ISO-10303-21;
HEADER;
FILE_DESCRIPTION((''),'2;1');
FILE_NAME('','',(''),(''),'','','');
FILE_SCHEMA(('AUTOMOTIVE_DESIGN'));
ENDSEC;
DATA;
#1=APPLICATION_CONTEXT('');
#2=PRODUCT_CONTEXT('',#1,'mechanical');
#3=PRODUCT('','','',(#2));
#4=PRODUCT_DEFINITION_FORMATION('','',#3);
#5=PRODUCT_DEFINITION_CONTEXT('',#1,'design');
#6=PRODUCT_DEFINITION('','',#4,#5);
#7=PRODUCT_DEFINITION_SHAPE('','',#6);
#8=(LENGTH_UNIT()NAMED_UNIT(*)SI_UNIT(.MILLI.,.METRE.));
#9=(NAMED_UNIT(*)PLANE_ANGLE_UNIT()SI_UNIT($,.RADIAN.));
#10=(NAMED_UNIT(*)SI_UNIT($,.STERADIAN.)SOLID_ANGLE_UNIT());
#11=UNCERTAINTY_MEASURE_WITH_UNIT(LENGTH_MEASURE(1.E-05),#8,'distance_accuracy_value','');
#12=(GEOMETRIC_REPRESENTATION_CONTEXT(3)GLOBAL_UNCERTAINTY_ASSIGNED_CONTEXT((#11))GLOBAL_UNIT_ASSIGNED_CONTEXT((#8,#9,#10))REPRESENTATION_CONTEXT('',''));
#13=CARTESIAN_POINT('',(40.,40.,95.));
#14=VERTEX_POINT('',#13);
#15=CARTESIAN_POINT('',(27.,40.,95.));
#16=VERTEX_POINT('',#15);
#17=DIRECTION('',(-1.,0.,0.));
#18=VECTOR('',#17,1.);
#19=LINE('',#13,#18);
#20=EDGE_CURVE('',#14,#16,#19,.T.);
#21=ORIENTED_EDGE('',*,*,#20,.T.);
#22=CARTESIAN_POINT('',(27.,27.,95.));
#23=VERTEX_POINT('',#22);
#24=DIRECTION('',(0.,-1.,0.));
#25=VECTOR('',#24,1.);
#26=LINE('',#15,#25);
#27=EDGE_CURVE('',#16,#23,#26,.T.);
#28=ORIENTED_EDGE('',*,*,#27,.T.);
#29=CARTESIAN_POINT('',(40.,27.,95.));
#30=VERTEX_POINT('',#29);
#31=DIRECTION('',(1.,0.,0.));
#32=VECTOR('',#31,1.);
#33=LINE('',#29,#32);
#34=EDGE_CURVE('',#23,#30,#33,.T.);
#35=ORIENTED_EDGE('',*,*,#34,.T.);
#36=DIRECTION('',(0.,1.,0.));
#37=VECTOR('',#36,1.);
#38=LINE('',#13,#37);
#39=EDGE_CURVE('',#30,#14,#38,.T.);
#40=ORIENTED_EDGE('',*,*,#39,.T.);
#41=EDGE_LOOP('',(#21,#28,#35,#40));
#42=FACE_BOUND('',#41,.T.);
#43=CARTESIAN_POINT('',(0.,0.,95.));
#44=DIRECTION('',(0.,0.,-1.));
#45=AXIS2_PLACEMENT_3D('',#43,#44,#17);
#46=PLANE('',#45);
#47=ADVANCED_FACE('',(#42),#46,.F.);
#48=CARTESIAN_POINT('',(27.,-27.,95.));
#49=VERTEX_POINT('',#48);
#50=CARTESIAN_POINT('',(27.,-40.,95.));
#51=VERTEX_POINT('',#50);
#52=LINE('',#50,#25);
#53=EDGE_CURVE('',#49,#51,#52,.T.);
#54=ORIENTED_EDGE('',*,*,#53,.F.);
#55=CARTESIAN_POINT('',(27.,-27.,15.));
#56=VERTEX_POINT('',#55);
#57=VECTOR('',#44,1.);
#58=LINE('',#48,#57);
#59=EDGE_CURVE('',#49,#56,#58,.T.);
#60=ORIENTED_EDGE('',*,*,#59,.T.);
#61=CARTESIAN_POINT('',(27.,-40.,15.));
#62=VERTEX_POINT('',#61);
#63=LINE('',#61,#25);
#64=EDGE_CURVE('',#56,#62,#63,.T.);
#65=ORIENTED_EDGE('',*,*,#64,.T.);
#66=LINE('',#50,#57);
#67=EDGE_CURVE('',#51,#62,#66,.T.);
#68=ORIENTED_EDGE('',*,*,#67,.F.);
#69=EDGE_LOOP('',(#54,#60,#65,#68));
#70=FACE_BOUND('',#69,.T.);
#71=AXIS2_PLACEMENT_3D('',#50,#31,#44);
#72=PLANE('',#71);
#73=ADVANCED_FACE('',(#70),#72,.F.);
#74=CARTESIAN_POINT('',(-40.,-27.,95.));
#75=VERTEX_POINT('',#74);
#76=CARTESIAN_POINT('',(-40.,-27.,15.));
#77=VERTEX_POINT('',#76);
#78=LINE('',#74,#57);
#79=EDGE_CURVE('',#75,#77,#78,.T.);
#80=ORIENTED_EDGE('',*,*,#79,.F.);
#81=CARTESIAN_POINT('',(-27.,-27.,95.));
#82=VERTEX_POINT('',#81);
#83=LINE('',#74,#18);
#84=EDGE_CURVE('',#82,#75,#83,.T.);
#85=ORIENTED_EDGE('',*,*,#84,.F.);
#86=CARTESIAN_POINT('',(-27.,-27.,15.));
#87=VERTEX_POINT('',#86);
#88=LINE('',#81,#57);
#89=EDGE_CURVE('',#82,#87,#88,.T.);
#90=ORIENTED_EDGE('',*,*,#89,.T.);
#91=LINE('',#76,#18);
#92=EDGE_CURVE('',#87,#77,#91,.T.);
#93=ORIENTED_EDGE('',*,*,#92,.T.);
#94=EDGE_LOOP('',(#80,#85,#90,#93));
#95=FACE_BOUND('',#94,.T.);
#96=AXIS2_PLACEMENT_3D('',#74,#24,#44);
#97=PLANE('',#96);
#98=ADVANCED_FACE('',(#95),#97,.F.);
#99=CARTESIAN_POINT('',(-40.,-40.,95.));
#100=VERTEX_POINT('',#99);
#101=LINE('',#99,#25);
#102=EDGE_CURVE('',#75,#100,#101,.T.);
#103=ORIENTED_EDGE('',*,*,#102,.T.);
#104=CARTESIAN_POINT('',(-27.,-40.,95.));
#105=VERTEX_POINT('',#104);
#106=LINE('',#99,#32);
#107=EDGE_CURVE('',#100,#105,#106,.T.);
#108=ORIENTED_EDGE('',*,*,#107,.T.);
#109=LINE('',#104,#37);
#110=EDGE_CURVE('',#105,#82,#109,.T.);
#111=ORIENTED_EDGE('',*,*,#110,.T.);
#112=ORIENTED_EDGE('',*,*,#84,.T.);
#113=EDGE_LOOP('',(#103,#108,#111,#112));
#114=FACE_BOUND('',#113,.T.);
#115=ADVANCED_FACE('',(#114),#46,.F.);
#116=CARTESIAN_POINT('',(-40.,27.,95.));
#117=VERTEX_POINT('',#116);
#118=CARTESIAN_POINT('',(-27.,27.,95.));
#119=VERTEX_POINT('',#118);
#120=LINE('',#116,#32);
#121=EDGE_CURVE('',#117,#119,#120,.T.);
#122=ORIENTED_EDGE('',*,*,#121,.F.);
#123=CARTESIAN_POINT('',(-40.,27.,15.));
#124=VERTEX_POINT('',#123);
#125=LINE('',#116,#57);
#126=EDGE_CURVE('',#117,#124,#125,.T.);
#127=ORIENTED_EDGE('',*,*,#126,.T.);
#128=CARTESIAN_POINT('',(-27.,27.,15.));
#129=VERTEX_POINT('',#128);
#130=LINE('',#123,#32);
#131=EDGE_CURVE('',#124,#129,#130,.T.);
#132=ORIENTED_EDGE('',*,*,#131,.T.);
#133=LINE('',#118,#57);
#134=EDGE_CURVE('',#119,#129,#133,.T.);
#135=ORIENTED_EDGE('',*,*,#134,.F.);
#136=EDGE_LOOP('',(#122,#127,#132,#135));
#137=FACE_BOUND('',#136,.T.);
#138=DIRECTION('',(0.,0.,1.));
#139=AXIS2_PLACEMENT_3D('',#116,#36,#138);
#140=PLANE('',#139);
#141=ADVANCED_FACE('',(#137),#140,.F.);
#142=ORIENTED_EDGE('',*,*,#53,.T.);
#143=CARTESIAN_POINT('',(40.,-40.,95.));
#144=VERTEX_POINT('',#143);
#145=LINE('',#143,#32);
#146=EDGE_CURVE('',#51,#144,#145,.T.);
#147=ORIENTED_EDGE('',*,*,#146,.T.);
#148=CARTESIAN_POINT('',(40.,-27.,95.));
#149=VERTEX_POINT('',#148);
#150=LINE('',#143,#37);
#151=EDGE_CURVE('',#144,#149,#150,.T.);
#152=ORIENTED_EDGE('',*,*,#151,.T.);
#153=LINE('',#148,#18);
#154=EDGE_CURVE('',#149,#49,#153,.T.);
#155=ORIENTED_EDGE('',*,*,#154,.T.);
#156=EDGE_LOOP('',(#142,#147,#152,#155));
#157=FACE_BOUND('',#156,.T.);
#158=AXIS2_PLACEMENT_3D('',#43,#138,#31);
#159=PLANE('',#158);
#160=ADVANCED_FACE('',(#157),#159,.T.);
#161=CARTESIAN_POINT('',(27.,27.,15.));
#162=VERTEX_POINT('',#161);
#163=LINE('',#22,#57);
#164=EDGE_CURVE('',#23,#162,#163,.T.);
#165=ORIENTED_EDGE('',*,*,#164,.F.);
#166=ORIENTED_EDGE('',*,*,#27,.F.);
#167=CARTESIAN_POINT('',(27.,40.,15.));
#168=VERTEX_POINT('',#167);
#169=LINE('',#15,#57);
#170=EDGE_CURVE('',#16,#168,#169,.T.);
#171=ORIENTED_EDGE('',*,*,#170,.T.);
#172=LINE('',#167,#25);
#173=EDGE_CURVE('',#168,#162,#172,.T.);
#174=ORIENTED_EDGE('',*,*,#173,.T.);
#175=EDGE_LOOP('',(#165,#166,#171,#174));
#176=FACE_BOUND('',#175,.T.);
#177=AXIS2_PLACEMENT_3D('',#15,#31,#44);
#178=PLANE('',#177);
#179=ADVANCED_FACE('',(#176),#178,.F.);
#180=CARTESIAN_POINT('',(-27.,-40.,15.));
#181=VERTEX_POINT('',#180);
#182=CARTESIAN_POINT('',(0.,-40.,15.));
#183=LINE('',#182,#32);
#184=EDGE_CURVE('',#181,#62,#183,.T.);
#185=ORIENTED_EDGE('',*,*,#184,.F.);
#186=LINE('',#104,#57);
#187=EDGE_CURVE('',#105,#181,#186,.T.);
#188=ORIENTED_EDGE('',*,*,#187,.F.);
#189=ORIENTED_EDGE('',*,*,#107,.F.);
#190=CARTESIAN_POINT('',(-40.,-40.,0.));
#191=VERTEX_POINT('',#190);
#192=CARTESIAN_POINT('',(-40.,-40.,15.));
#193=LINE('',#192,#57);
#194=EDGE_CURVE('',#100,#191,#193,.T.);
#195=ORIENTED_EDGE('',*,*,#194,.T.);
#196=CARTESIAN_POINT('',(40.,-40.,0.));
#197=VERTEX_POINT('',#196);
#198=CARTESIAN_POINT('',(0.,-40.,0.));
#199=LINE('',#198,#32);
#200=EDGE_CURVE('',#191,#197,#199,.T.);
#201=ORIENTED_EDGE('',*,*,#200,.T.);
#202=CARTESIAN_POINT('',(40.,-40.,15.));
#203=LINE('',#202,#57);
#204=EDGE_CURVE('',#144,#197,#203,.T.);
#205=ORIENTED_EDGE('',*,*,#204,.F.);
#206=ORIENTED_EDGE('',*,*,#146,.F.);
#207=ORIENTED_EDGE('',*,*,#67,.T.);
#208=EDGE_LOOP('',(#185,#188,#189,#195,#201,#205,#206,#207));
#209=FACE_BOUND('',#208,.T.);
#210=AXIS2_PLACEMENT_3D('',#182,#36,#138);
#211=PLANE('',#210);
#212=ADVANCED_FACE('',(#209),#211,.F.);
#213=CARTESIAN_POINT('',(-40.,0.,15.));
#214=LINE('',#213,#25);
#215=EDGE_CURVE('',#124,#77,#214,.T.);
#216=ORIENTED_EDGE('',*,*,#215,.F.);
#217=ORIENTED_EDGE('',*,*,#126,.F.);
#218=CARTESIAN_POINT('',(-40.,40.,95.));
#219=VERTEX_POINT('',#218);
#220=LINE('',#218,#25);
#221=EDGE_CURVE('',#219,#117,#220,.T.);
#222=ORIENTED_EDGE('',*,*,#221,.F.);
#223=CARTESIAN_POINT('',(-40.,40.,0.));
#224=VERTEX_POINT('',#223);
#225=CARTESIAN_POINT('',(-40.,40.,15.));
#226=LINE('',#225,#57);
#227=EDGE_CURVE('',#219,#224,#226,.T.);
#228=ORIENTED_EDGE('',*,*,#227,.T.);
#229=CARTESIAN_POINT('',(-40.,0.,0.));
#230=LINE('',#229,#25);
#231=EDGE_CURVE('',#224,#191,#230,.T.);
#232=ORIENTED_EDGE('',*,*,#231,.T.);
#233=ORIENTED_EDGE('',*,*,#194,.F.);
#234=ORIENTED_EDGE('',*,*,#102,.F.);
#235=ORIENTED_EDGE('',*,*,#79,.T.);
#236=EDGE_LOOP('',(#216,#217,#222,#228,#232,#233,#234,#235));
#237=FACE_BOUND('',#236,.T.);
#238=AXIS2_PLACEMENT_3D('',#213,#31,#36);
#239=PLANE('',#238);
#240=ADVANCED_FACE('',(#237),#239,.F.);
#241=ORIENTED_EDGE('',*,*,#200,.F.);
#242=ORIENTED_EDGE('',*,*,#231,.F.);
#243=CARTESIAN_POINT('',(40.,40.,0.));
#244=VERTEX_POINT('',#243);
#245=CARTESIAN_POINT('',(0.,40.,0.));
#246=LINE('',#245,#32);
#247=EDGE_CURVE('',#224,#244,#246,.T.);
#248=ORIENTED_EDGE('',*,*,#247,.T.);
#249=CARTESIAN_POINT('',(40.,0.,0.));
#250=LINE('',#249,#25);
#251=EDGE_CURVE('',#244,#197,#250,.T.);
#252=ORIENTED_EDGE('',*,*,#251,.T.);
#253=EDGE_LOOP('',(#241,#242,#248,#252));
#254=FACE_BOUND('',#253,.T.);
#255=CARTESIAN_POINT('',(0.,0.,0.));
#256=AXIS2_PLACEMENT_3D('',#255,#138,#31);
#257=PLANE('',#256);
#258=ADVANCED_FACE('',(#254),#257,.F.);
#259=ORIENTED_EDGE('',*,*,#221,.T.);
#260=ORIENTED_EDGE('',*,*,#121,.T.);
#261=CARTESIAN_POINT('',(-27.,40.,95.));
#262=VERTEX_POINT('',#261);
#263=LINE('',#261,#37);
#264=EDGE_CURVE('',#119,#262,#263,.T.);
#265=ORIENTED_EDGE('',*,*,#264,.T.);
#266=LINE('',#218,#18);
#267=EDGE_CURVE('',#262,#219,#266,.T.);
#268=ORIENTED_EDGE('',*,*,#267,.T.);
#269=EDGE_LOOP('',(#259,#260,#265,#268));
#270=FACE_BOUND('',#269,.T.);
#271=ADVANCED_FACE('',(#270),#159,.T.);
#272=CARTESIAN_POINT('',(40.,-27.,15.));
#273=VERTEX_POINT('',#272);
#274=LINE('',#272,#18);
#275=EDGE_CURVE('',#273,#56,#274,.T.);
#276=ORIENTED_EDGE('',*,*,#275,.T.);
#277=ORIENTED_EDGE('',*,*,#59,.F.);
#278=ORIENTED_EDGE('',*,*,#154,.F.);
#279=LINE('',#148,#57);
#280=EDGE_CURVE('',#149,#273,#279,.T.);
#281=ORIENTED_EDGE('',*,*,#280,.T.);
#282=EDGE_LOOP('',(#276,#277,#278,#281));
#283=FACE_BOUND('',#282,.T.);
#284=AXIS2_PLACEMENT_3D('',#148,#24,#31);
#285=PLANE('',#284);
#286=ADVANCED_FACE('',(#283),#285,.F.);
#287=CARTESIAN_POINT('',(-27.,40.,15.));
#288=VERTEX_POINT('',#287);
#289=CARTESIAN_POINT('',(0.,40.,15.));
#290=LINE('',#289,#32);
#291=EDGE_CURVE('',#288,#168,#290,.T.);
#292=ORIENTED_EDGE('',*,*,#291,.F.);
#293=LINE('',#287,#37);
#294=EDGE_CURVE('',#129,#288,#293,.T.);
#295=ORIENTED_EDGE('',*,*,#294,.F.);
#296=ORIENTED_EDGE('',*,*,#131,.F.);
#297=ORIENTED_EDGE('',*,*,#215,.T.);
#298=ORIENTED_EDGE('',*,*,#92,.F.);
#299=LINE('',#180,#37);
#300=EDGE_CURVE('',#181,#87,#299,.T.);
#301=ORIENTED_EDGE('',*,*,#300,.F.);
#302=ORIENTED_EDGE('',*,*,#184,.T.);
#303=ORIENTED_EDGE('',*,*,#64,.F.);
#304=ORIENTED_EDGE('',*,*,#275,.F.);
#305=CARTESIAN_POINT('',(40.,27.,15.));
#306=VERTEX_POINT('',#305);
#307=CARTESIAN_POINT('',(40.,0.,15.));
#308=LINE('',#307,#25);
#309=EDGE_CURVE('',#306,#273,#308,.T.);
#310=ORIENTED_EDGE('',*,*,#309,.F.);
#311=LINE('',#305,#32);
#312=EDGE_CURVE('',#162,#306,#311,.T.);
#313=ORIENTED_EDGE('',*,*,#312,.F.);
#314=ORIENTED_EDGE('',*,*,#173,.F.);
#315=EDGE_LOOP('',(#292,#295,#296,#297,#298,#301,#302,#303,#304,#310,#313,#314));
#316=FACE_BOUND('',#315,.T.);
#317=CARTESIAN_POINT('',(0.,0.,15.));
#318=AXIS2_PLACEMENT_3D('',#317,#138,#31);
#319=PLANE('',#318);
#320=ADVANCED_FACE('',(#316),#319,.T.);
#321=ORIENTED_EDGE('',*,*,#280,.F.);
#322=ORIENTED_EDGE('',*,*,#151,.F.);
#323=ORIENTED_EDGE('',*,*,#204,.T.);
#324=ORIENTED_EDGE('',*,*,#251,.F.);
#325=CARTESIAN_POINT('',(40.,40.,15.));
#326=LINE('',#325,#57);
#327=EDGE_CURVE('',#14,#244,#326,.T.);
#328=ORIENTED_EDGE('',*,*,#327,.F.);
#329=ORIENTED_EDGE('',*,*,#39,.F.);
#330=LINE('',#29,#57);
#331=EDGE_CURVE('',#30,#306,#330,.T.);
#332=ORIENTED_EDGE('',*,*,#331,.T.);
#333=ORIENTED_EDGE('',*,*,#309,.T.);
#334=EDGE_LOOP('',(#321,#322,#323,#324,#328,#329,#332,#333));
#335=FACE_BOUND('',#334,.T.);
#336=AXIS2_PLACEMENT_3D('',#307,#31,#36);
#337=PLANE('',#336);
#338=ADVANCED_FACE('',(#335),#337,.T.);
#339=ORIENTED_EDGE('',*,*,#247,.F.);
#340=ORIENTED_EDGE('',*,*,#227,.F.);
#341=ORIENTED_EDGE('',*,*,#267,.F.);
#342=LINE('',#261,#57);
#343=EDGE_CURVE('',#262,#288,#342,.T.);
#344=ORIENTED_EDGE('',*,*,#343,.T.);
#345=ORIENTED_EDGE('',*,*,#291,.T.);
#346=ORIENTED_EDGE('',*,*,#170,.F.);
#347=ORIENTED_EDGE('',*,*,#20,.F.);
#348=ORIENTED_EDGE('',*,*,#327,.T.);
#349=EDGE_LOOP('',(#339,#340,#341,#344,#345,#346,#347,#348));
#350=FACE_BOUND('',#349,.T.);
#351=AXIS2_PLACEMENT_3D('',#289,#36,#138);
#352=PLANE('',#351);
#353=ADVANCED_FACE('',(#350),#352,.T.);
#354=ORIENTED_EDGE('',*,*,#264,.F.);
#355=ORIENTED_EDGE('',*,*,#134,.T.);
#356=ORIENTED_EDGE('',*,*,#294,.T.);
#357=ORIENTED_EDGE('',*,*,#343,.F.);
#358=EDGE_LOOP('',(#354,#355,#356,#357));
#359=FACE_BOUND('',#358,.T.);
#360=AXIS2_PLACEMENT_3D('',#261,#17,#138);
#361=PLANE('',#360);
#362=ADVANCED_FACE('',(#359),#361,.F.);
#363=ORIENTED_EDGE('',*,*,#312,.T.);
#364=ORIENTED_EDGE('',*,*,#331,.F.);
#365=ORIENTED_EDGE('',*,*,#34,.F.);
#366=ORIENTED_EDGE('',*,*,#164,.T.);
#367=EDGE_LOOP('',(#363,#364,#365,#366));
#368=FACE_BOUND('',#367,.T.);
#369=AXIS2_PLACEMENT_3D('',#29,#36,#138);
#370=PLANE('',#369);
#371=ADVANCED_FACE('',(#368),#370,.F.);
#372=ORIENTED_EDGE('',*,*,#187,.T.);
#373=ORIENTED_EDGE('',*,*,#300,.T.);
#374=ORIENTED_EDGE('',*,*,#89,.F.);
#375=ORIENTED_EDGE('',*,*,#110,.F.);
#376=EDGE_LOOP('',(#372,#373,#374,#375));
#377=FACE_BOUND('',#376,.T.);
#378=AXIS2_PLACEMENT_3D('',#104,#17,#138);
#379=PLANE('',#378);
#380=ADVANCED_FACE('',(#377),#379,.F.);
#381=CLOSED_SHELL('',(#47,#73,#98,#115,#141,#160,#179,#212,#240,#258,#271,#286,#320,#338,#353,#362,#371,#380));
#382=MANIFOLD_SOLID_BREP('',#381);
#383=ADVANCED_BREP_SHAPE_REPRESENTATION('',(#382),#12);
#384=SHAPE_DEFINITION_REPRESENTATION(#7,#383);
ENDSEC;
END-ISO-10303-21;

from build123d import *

# Parameters (mm, degrees)
SKETCH_1_W      = 14.849242405
SKETCH_1_H      = 14.849242405
EXTRUDE_6_DEPTH = 15
SKETCH_4_W      = 13
SKETCH_4_H      = 13
EXTRUDE_7_DEPTH = 80


with BuildPart() as part:
    # 草图1 → 凸台-拉伸6 (new body)
    with BuildSketch(Plane.XY):
        with Locations((-32.575378798, 32.575378798)):
            Rectangle(SKETCH_1_W, SKETCH_1_H)
        Polygon((25.150757595, 40), (-25.150757595, 40), (-25.150757595, 25.150757595), (-40, 25.150757595), (-40, -25.150757595), (-25.150757595, -25.150757595), (-25.150757595, -40), (25.150757595, -40), (25.150757595, -25.150757595), (40, -25.150757595), (40, 25.150757595), (25.150757595, 25.150757595), align=None)
        with Locations((32.575378798, 32.575378798)):
            Rectangle(SKETCH_1_W, SKETCH_1_H)
        Polygon((40, -39.62158524), (40, -25.150757595), (25.150757595, -25.150757595), (25.150757595, -40), (39.62158524, -40), (40, -40), align=None)
        Polygon((-25.150757595, -25.150757595), (-40, -25.150757595), (-40, -40), (-25.902864758, -40), (-25.150757595, -40), align=None)
    extrude(amount=EXTRUDE_6_DEPTH)

    # 草图4 → 凸台-拉伸7 (add)
    with BuildSketch(Plane.XY.offset(15)):
        with Locations((-33.5, 33.5)):
            Rectangle(SKETCH_4_W, SKETCH_4_H)
        with Locations((33.5, 33.5)):
            Rectangle(SKETCH_4_W, SKETCH_4_H)
        with Locations((-33.5, -33.5)):
            Rectangle(SKETCH_4_W, SKETCH_4_H)
        with Locations((33.5, -33.5)):
            Rectangle(SKETCH_4_W, SKETCH_4_H)
    extrude(amount=EXTRUDE_7_DEPTH)


solid = part.part
